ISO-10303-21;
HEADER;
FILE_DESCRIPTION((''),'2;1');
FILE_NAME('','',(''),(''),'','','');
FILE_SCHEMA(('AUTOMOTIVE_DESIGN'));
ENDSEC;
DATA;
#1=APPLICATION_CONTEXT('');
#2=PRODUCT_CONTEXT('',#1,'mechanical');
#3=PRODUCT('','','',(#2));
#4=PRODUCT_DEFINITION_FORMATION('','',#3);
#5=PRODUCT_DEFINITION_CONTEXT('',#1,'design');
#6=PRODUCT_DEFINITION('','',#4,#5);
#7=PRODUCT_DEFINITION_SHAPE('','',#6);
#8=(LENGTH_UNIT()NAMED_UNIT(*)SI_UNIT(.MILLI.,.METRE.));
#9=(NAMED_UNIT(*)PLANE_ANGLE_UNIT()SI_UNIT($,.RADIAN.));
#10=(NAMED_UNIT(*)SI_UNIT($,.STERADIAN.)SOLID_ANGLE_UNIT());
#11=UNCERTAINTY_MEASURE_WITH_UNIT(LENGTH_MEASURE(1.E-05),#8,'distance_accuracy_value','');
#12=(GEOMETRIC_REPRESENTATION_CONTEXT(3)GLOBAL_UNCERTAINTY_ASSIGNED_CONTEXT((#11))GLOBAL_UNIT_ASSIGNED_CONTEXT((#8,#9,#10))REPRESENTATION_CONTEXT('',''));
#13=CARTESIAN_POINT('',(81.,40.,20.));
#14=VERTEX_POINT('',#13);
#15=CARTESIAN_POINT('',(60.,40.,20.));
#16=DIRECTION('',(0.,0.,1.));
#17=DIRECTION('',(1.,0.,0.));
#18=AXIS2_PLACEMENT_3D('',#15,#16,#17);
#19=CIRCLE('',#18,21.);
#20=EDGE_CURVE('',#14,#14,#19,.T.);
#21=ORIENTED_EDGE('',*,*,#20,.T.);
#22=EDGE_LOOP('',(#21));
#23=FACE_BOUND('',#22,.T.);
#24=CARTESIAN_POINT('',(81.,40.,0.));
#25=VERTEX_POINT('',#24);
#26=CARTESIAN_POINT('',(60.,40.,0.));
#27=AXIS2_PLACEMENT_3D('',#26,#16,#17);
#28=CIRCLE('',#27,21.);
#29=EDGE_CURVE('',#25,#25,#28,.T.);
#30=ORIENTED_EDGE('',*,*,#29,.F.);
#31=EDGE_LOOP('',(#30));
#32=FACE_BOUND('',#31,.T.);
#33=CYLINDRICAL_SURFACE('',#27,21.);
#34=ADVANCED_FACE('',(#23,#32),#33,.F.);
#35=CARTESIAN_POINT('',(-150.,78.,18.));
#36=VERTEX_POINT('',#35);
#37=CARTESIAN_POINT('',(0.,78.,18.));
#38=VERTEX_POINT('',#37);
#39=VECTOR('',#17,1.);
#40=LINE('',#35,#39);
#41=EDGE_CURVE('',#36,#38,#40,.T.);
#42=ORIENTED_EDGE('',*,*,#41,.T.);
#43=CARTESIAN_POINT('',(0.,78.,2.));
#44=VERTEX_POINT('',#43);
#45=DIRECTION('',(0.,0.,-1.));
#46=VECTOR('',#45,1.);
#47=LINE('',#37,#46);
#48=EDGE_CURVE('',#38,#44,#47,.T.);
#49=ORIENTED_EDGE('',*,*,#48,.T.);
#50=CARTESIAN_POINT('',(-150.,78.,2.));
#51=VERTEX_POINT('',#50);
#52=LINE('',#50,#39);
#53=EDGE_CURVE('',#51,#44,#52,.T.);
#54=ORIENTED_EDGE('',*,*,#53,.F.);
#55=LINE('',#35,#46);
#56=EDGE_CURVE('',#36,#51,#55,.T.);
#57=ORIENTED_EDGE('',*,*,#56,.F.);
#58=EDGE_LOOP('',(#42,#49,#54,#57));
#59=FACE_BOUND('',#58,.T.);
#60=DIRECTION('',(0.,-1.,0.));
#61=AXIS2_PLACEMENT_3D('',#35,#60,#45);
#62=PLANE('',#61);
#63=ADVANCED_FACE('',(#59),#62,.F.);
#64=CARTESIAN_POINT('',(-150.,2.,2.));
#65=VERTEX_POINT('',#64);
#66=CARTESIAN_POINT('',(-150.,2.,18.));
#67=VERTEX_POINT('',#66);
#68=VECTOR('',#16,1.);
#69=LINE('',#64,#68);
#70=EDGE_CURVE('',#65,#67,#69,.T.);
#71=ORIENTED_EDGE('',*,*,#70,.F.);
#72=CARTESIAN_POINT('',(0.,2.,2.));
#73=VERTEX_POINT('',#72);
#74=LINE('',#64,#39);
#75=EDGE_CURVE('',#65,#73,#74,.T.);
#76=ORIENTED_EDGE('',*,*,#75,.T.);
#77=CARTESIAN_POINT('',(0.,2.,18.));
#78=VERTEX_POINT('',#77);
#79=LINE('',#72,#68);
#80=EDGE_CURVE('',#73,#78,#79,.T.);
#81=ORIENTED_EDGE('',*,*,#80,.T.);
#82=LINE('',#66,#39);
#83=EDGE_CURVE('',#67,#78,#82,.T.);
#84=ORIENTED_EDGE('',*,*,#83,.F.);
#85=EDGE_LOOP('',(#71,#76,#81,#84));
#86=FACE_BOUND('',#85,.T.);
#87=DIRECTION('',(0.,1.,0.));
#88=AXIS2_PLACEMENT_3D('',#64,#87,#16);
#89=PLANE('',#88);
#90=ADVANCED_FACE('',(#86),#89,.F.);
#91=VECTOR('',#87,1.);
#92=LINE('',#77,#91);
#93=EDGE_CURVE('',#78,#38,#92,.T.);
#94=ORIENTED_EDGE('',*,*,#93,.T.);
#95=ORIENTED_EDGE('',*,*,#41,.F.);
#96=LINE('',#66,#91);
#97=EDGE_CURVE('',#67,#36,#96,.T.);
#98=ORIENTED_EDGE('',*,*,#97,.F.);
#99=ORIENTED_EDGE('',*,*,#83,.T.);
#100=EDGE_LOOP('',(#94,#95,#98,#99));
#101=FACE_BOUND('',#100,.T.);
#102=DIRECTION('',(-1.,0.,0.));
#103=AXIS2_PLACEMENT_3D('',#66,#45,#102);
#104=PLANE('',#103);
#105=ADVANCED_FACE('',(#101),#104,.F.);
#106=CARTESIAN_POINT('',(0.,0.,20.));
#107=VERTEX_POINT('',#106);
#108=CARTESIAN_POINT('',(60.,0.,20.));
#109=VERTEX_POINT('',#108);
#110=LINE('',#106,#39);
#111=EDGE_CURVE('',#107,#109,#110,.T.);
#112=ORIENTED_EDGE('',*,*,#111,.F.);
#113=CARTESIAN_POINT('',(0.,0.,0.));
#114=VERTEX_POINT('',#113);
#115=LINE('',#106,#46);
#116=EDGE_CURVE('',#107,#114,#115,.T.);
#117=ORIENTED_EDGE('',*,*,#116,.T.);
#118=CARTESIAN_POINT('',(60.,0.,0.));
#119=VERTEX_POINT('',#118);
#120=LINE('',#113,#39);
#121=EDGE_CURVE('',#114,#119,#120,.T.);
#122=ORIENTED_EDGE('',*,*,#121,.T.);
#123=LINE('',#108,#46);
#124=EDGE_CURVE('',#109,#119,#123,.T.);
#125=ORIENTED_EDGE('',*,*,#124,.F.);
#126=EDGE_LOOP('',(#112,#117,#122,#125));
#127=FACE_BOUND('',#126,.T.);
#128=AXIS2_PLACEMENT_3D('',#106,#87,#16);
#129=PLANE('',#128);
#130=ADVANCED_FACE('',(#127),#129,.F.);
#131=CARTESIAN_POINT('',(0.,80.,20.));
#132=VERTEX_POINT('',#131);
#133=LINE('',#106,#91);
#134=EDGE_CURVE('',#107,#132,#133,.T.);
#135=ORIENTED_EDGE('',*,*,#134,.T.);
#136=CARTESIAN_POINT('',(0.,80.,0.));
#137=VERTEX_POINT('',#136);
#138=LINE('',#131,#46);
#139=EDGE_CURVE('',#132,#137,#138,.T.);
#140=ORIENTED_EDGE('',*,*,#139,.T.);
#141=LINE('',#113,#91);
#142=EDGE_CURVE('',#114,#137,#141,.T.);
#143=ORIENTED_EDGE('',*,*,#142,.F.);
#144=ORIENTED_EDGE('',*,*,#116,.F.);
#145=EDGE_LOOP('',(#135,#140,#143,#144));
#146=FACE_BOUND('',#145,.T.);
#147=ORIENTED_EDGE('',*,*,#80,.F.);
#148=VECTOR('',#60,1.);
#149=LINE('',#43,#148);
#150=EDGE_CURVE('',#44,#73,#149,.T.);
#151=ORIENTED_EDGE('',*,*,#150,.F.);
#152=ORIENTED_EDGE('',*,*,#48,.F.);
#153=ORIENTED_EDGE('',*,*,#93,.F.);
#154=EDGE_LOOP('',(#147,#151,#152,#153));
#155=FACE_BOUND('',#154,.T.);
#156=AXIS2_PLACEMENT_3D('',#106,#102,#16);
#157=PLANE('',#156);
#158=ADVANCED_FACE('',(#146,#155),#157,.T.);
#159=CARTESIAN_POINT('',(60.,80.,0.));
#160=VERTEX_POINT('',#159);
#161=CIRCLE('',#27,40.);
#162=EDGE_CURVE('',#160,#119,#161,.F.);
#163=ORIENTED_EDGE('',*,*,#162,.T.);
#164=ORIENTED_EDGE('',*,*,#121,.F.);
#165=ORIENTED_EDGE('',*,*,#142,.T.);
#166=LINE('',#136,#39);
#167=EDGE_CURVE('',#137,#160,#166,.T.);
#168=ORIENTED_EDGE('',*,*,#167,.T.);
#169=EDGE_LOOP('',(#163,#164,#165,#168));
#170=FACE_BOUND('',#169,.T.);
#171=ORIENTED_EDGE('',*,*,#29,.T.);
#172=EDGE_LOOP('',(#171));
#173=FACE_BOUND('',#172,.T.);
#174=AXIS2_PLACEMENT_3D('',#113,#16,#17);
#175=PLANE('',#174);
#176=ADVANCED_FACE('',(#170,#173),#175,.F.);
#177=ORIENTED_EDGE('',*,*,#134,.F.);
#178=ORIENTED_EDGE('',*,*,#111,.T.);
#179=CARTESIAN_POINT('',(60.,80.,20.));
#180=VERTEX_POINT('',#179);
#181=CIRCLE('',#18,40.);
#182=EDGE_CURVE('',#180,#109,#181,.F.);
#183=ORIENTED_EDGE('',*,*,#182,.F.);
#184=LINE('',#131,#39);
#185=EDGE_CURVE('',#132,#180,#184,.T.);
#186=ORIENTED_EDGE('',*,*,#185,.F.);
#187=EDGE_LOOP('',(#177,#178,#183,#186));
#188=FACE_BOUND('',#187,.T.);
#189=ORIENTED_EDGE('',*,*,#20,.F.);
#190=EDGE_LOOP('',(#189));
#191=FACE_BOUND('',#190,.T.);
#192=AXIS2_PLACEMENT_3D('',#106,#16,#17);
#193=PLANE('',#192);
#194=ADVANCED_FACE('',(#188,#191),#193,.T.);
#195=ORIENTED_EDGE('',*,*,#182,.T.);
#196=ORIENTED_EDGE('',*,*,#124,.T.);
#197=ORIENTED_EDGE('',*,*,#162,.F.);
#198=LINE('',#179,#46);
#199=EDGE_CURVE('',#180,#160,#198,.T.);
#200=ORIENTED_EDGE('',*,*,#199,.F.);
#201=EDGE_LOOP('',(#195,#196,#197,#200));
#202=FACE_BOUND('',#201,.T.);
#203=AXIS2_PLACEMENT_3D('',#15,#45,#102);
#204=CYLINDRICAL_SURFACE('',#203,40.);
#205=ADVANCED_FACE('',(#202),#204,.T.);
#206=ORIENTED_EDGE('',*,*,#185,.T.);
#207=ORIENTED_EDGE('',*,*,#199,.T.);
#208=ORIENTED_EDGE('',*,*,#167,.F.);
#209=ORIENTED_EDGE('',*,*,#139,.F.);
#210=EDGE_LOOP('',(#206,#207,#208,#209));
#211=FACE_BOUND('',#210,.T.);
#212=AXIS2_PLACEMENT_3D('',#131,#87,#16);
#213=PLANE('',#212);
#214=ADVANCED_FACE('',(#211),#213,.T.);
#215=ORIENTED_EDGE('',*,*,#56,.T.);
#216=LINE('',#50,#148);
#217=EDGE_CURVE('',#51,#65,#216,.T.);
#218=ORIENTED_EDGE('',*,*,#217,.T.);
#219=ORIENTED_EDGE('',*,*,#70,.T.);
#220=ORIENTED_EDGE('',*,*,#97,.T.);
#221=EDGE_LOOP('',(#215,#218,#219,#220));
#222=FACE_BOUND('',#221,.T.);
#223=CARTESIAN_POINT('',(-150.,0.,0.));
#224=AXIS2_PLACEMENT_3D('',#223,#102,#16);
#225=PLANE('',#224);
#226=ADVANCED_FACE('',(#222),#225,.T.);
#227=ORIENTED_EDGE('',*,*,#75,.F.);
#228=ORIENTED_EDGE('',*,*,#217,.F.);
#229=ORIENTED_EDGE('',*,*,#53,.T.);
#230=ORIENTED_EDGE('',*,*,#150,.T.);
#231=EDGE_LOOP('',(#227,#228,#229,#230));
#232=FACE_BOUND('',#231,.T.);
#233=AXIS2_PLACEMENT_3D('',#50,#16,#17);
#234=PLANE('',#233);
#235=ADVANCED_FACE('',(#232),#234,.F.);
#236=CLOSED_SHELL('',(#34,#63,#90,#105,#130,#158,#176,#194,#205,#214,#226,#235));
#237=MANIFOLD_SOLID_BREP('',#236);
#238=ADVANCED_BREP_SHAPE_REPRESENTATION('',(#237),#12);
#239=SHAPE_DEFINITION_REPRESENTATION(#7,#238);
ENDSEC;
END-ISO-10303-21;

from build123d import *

# Parameters (mm, degrees)
BOSS_EXTRUDE1_DEPTH = 20
SKETCH2_R           = 21
CUT_EXTRUDE1_DEPTH  = 21
SKETCH3_W           = 16
SKETCH3_H           = 76
BOSS_EXTRUDE2_DEPTH = 150


with BuildPart() as part:
    # Sketch1 → Boss-Extrude1 (new body)
    with BuildSketch(Plane.XY):
        with BuildLine():
            Line((0, 80), (0, 0))
            Line((0, 0), (60, 0))
            ThreePointArc((60, 0), (88.284271247, 11.715728753), (100, 40))
            ThreePointArc((100, 40), (88.284271247, 68.284271247), (60, 80))
            Line((60, 80), (0, 80))
        make_face()
    extrude(amount=BOSS_EXTRUDE1_DEPTH)

    # Sketch2 → Cut-Extrude1 (cut, through all)
    with BuildSketch(Plane.XY.offset(20)):
        with Locations((60, 40)):
            Circle(SKETCH2_R)
    extrude(amount=-CUT_EXTRUDE1_DEPTH, mode=Mode.SUBTRACT)

    # Sketch3 → Boss-Extrude2 (add)
    with BuildSketch(Plane.ZY):
        with Locations((10, 40)):
            Rectangle(SKETCH3_W, SKETCH3_H)
    extrude(amount=BOSS_EXTRUDE2_DEPTH)


solid = part.part
